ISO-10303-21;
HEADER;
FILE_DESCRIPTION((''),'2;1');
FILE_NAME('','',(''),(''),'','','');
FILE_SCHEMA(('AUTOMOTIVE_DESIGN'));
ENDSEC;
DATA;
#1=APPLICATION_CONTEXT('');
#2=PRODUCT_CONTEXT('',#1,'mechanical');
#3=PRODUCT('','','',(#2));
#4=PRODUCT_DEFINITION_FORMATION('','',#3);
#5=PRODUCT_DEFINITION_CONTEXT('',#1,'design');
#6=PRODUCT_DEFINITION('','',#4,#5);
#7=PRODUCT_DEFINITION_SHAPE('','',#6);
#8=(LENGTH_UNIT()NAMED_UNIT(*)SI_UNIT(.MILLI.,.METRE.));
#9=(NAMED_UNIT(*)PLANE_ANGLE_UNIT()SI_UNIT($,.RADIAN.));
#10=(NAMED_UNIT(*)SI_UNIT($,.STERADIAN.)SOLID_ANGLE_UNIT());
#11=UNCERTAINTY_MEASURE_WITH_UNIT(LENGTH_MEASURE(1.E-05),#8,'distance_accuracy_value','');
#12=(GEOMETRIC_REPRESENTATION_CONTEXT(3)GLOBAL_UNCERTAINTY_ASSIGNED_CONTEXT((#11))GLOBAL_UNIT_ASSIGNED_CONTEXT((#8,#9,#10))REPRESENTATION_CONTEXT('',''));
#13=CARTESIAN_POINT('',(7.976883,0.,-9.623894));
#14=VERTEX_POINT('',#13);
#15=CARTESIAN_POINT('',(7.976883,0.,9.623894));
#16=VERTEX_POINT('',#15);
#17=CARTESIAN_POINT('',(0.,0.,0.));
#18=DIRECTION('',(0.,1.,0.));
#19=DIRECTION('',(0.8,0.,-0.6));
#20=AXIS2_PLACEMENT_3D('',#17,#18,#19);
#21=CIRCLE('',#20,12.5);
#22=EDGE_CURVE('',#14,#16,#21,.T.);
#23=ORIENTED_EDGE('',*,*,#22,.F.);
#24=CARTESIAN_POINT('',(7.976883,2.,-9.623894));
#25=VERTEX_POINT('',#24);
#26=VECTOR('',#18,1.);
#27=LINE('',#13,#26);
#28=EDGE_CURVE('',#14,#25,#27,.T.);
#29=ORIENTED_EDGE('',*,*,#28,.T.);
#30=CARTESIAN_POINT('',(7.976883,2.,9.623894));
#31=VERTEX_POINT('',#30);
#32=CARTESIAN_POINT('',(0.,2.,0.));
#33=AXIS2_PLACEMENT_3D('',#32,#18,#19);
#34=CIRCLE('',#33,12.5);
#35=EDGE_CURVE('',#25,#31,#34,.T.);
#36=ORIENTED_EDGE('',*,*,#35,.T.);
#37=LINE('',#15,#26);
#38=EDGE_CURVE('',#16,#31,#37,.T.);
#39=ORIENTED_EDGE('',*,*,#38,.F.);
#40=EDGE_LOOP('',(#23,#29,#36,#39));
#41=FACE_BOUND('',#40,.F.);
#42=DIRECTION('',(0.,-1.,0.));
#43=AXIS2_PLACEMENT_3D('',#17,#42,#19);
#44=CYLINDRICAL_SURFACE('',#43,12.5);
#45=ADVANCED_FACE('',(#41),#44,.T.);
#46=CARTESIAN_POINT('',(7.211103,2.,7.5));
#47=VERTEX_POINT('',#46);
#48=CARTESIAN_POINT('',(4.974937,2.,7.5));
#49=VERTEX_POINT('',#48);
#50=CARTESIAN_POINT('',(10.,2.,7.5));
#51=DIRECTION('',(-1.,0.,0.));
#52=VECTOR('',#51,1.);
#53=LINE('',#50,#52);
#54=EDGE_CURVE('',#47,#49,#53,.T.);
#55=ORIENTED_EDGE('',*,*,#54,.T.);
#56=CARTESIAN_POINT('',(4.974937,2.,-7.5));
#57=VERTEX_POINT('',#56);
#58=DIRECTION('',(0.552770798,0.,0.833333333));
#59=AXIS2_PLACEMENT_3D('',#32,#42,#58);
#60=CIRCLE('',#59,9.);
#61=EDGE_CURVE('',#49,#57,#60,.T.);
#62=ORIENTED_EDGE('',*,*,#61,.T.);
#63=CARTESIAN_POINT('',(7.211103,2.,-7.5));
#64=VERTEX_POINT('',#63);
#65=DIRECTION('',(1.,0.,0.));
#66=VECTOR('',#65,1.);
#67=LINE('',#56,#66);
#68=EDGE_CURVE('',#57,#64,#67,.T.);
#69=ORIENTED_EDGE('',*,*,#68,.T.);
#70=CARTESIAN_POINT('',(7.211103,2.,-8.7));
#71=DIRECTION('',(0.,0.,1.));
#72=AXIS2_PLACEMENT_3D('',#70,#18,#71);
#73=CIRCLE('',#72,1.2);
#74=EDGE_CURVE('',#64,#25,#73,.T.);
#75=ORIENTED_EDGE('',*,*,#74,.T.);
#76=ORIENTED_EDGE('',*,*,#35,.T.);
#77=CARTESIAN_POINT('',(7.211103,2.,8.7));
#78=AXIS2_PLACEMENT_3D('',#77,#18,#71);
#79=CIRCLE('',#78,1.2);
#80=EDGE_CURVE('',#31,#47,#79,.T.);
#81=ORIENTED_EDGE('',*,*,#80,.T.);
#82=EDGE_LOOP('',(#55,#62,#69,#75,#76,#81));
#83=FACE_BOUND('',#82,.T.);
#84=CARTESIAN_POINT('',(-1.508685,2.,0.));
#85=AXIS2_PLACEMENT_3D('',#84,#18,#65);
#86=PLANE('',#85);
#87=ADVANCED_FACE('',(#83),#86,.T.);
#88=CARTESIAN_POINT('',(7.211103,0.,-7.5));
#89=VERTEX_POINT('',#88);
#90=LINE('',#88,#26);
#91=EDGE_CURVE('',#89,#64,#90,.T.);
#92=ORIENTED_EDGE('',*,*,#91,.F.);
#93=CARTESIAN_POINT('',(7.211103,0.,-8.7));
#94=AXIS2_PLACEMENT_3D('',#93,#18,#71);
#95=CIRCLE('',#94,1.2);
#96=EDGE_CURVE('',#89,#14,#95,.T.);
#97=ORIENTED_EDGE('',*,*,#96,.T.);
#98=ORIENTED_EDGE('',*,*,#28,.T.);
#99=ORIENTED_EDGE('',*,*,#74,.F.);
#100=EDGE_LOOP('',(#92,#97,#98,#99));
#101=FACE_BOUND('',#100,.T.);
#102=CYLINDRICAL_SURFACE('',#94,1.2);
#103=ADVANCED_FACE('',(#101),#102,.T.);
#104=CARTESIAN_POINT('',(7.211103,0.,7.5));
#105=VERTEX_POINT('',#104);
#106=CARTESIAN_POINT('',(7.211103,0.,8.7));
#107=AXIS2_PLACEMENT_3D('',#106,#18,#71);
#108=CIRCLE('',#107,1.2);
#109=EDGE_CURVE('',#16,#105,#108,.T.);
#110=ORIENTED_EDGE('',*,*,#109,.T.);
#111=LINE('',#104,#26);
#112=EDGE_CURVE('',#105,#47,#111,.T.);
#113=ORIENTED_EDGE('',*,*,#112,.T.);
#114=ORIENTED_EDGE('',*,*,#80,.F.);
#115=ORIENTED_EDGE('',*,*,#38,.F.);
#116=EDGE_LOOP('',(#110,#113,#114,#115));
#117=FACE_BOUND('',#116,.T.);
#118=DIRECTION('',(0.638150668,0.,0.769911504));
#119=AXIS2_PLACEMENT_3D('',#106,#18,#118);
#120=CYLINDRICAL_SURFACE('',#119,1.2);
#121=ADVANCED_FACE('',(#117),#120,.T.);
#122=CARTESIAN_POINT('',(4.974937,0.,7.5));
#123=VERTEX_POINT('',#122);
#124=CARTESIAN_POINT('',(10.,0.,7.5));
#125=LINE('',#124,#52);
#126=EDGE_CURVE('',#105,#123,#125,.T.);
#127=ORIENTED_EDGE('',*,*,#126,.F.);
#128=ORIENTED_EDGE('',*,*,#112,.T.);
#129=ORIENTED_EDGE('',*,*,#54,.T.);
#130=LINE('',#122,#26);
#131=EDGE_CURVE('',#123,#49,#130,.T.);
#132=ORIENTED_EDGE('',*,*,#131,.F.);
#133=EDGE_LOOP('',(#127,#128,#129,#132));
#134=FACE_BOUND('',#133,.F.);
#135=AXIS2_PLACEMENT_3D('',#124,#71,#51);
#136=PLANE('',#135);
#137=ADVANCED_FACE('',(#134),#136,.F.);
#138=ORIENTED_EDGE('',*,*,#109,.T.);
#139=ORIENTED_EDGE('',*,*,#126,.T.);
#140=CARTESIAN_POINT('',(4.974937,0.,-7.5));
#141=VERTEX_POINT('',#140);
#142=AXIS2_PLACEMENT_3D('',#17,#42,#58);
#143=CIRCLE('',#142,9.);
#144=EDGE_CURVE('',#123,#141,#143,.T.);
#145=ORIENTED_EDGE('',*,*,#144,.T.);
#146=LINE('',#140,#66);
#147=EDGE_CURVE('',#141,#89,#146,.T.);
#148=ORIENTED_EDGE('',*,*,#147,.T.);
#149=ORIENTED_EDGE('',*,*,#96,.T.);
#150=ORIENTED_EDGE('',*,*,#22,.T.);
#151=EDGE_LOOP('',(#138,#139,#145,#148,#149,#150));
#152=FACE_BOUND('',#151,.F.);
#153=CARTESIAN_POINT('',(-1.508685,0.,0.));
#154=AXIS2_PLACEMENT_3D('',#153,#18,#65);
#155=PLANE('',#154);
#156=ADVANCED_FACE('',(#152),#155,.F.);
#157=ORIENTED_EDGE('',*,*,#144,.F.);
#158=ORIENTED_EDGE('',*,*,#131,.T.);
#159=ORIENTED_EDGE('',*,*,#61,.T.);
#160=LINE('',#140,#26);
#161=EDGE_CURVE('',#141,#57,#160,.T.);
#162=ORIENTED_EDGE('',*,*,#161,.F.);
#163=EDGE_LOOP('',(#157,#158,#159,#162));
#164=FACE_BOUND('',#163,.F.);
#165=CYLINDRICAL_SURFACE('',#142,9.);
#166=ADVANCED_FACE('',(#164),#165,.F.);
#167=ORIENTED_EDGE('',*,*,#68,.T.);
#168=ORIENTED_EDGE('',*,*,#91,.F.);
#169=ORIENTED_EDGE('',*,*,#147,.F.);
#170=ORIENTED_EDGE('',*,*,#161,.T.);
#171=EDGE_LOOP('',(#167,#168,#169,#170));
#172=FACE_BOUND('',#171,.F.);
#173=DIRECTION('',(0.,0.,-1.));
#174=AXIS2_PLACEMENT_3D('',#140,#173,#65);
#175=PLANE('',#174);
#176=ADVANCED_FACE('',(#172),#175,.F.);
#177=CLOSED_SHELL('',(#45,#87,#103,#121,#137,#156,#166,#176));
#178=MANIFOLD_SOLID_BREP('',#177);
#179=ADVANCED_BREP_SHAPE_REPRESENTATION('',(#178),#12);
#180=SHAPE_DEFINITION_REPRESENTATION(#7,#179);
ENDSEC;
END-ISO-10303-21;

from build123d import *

# Parameters (mm, degrees)
BOSS_EXTRUDE2_DEPTH = 2
FILLET1_R           = 1.2


with BuildPart() as part:
    # Sketch1 → Boss-Extrude2 (new body)
    with BuildSketch(Plane(origin=(0, 0, 0), x_dir=(1, 0, 0), z_dir=(0, 1, 0))):
        with BuildLine():
            Line((4.974937186, 7.5), (10, 7.5))
            ThreePointArc((10, 7.5), (-12.5, 0), (10, -7.5))
            Line((10, -7.5), (4.974937186, -7.5))
            ThreePointArc((4.974937186, -7.5), (-9, 0), (4.974937186, 7.5))
        make_face()
    extrude(amount=BOSS_EXTRUDE2_DEPTH)

    # Fillet1
    fillet1_edges = [part.edges().sort_by_distance(p)[0] for p in [
        (10, 1, 7.5),
        (10, 1, -7.5),
    ]]
    fillet(fillet1_edges, radius=FILLET1_R)


solid = part.part
